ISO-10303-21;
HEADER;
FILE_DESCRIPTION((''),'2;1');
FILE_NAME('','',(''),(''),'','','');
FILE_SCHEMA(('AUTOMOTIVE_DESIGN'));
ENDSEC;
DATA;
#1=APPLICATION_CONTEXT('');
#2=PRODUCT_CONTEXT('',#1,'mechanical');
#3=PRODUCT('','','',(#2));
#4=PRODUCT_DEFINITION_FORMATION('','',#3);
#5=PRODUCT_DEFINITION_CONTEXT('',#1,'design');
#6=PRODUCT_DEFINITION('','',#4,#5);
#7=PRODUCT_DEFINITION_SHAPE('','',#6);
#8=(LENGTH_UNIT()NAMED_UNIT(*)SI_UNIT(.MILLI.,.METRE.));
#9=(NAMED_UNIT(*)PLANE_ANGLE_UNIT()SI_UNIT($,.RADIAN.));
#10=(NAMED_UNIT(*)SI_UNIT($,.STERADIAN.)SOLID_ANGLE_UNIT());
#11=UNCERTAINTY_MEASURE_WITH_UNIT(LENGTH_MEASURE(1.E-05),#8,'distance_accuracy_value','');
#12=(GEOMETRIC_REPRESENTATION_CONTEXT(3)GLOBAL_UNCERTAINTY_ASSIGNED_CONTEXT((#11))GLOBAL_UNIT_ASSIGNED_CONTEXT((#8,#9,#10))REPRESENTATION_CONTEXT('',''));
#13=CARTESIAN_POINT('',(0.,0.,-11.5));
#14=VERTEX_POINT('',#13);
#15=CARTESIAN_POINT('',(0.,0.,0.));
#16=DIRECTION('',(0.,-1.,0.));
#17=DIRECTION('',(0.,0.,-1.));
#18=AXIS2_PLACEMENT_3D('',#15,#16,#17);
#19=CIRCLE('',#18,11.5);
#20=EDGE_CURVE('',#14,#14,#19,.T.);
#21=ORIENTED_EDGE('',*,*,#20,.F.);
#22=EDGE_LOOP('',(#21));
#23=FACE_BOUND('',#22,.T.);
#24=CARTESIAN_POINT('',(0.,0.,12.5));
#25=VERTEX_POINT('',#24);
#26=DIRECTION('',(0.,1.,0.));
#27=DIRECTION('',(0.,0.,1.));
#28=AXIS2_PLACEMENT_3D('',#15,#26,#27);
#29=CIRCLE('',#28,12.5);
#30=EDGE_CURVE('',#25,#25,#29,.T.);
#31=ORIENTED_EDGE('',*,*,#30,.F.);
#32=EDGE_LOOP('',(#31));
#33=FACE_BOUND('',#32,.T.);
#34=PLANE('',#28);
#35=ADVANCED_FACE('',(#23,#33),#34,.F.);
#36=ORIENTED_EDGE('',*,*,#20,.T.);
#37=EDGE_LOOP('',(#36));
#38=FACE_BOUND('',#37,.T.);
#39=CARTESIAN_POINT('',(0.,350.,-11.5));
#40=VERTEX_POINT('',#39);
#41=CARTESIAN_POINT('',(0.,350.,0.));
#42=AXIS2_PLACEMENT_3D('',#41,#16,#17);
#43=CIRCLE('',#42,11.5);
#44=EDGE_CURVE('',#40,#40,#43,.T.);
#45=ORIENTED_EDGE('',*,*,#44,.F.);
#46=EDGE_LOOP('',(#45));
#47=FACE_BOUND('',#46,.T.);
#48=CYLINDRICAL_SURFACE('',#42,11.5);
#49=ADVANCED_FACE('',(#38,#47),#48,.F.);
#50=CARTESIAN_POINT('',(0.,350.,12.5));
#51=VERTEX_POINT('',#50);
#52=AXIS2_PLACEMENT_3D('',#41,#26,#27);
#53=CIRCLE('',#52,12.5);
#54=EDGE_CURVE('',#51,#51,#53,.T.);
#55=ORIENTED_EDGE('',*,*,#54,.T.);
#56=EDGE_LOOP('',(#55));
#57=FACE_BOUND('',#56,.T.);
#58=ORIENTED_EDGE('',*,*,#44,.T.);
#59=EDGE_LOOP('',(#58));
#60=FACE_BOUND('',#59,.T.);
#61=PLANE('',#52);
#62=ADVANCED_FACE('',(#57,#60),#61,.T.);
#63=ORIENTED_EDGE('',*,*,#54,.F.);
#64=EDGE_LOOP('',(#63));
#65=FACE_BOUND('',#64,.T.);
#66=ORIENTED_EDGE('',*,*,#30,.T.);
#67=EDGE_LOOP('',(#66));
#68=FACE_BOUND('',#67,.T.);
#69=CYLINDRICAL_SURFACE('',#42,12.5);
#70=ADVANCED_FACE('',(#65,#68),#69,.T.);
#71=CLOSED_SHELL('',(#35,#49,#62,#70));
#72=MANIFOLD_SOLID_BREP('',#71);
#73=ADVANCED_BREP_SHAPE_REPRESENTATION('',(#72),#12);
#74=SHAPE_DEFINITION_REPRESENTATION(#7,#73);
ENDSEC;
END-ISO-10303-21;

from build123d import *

# Parameters (mm, degrees)
SKETCH2_R           = 12.5
BOSS_EXTRUDE1_DEPTH = 350
SKETCH4_R           = 11.5
CUT_EXTRUDE1_DEPTH  = 351.446144222


with BuildPart() as part:
    # Sketch2 → Boss-Extrude1 (new body)
    with BuildSketch(Plane(origin=(0, 0, 0), x_dir=(1, 0, 0), z_dir=(0, 1, 0))):
        with Locations(Location((0, 0, 0), (0, 0, 270))):
            Circle(SKETCH2_R)
    extrude(amount=BOSS_EXTRUDE1_DEPTH)

    # Sketch4 → Cut-Extrude1 (cut, through all)
    with BuildSketch(Plane.XZ):
        with Locations(Location((0, 0, 0), (0, 0, 270))):
            Circle(SKETCH4_R)
    extrude(amount=-CUT_EXTRUDE1_DEPTH, mode=Mode.SUBTRACT)


solid = part.part
